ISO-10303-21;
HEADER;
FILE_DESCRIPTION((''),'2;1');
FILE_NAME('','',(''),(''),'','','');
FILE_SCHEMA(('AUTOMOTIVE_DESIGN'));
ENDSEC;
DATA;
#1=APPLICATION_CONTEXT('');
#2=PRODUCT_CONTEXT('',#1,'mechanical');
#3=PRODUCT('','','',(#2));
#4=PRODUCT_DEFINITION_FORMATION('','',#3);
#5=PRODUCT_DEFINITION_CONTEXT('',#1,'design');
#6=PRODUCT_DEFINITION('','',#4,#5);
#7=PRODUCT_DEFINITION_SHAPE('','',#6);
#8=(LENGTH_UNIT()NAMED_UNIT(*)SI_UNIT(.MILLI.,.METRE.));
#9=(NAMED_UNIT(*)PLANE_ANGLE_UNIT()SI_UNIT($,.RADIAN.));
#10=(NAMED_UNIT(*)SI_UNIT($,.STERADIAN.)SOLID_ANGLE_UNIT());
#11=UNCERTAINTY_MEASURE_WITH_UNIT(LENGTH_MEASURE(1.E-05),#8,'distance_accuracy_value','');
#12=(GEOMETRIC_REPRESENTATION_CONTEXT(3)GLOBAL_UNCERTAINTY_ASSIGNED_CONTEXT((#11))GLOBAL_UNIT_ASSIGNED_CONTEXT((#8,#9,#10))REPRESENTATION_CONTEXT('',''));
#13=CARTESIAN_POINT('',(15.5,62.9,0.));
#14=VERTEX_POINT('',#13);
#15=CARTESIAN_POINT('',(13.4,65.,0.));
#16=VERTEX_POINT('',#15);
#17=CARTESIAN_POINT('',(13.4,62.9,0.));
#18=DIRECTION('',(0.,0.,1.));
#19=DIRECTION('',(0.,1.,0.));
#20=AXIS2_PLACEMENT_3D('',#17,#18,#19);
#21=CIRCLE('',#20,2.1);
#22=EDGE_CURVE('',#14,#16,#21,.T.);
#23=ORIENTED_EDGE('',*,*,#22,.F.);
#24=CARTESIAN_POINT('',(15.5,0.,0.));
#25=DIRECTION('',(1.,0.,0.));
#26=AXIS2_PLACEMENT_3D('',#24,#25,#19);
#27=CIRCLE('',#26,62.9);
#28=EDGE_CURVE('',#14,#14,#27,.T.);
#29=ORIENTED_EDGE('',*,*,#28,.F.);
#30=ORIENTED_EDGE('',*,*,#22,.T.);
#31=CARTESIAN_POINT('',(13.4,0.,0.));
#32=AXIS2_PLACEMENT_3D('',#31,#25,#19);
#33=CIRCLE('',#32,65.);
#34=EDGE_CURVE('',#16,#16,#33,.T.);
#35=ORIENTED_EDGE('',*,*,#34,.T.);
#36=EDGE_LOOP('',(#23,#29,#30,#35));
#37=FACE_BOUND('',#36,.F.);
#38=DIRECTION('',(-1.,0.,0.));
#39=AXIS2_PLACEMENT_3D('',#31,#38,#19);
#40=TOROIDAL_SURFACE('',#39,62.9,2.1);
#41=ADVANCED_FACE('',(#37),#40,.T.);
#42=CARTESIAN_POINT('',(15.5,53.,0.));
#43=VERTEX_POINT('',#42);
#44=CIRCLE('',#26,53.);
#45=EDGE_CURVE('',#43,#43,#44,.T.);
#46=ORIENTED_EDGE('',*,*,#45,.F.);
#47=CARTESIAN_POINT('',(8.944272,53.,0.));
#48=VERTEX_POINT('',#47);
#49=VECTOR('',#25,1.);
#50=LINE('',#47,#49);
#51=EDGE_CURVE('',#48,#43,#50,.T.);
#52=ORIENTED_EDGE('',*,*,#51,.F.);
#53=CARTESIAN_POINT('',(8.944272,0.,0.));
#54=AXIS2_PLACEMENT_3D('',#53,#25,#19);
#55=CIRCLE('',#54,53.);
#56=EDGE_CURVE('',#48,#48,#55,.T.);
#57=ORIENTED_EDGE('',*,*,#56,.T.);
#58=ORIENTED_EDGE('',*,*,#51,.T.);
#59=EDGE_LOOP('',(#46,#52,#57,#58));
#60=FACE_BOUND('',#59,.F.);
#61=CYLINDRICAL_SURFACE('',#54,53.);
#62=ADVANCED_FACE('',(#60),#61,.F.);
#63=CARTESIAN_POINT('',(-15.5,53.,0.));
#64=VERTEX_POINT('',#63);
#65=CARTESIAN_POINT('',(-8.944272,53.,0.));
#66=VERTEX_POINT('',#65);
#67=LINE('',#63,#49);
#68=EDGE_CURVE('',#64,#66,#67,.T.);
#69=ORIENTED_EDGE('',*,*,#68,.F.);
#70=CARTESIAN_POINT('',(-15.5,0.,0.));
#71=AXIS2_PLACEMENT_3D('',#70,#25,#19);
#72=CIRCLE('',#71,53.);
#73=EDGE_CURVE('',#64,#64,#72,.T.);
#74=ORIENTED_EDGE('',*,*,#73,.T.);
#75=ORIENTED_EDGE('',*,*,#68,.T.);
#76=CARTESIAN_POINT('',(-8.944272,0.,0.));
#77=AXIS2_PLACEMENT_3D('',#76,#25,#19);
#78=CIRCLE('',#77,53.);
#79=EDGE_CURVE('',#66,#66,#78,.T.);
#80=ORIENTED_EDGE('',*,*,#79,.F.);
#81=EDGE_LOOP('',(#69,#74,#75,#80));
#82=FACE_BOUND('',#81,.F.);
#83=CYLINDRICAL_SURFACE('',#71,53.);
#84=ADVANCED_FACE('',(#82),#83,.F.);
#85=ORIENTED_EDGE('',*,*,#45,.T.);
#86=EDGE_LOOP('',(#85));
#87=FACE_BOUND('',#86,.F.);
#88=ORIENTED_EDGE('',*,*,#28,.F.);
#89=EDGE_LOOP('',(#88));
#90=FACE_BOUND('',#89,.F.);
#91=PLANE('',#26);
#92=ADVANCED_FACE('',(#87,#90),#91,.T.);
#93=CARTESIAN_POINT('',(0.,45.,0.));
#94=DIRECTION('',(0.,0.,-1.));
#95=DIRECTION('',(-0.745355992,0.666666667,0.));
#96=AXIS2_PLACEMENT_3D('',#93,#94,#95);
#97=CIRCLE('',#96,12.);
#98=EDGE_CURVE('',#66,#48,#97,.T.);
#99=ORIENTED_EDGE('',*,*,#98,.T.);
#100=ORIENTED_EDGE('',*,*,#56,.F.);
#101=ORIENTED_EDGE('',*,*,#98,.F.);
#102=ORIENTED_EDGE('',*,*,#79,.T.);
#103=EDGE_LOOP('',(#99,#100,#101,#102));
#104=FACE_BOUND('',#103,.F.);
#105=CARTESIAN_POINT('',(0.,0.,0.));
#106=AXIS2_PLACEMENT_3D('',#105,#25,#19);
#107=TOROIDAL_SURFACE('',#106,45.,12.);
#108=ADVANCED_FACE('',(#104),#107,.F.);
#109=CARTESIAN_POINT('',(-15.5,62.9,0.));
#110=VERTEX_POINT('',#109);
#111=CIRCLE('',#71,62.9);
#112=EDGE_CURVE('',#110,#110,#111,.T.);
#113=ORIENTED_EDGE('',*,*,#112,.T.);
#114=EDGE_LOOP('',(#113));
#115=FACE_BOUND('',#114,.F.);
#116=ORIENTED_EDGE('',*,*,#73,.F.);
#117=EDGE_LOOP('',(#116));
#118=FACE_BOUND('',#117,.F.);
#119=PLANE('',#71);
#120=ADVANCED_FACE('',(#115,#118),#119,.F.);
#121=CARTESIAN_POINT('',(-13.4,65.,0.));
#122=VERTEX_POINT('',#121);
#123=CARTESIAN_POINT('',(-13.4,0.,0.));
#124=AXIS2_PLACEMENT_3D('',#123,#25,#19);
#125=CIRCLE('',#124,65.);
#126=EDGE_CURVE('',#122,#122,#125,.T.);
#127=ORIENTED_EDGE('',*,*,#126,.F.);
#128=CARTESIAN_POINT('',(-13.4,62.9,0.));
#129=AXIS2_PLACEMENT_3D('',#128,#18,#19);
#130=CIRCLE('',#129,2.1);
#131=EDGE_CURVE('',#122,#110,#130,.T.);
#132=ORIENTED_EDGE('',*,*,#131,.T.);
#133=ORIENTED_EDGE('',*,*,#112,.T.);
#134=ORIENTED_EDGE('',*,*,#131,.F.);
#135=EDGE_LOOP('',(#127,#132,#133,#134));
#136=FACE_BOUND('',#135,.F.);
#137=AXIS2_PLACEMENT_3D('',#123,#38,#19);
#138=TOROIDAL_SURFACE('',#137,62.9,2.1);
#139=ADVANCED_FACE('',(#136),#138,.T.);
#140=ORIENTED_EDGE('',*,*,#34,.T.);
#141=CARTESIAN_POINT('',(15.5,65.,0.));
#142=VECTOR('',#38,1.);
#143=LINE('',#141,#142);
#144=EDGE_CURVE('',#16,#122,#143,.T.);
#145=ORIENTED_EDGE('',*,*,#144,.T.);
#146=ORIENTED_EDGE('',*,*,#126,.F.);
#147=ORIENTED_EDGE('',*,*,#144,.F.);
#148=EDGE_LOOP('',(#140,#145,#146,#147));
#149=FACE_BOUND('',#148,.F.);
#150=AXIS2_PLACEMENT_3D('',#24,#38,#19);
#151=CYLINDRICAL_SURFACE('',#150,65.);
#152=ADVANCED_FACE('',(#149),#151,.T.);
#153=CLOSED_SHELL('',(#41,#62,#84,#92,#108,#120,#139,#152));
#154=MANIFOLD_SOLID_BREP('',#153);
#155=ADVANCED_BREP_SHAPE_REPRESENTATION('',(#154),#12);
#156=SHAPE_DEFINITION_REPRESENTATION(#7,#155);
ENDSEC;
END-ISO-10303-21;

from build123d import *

# Parameters (mm, degrees)
FILLET1_R = 2.1


with BuildPart() as part:
    # Sketch1 → Revolve1 (revolve)
    with BuildSketch(Plane.XY):
        with BuildLine():
            Line((-15.5, 53), (-8.94427191, 53))
            ThreePointArc((-8.94427191, 53), (0, 57), (8.94427191, 53))
            Line((8.94427191, 53), (15.5, 53))
            Line((15.5, 53), (15.5, 65))
            Line((15.5, 65), (-15.5, 65))
            Line((-15.5, 65), (-15.5, 53))
        make_face()
    revolve(axis=Axis((-47.791666667, 0, 0), (1, 0, 0)))

    # Fillet1
    fillet1_edges = [part.edges().sort_by_distance(p)[0] for p in [
        (15.5, -65, 0),
        (-15.5, -65, 0),
    ]]
    fillet(fillet1_edges, radius=FILLET1_R)


solid = part.part
